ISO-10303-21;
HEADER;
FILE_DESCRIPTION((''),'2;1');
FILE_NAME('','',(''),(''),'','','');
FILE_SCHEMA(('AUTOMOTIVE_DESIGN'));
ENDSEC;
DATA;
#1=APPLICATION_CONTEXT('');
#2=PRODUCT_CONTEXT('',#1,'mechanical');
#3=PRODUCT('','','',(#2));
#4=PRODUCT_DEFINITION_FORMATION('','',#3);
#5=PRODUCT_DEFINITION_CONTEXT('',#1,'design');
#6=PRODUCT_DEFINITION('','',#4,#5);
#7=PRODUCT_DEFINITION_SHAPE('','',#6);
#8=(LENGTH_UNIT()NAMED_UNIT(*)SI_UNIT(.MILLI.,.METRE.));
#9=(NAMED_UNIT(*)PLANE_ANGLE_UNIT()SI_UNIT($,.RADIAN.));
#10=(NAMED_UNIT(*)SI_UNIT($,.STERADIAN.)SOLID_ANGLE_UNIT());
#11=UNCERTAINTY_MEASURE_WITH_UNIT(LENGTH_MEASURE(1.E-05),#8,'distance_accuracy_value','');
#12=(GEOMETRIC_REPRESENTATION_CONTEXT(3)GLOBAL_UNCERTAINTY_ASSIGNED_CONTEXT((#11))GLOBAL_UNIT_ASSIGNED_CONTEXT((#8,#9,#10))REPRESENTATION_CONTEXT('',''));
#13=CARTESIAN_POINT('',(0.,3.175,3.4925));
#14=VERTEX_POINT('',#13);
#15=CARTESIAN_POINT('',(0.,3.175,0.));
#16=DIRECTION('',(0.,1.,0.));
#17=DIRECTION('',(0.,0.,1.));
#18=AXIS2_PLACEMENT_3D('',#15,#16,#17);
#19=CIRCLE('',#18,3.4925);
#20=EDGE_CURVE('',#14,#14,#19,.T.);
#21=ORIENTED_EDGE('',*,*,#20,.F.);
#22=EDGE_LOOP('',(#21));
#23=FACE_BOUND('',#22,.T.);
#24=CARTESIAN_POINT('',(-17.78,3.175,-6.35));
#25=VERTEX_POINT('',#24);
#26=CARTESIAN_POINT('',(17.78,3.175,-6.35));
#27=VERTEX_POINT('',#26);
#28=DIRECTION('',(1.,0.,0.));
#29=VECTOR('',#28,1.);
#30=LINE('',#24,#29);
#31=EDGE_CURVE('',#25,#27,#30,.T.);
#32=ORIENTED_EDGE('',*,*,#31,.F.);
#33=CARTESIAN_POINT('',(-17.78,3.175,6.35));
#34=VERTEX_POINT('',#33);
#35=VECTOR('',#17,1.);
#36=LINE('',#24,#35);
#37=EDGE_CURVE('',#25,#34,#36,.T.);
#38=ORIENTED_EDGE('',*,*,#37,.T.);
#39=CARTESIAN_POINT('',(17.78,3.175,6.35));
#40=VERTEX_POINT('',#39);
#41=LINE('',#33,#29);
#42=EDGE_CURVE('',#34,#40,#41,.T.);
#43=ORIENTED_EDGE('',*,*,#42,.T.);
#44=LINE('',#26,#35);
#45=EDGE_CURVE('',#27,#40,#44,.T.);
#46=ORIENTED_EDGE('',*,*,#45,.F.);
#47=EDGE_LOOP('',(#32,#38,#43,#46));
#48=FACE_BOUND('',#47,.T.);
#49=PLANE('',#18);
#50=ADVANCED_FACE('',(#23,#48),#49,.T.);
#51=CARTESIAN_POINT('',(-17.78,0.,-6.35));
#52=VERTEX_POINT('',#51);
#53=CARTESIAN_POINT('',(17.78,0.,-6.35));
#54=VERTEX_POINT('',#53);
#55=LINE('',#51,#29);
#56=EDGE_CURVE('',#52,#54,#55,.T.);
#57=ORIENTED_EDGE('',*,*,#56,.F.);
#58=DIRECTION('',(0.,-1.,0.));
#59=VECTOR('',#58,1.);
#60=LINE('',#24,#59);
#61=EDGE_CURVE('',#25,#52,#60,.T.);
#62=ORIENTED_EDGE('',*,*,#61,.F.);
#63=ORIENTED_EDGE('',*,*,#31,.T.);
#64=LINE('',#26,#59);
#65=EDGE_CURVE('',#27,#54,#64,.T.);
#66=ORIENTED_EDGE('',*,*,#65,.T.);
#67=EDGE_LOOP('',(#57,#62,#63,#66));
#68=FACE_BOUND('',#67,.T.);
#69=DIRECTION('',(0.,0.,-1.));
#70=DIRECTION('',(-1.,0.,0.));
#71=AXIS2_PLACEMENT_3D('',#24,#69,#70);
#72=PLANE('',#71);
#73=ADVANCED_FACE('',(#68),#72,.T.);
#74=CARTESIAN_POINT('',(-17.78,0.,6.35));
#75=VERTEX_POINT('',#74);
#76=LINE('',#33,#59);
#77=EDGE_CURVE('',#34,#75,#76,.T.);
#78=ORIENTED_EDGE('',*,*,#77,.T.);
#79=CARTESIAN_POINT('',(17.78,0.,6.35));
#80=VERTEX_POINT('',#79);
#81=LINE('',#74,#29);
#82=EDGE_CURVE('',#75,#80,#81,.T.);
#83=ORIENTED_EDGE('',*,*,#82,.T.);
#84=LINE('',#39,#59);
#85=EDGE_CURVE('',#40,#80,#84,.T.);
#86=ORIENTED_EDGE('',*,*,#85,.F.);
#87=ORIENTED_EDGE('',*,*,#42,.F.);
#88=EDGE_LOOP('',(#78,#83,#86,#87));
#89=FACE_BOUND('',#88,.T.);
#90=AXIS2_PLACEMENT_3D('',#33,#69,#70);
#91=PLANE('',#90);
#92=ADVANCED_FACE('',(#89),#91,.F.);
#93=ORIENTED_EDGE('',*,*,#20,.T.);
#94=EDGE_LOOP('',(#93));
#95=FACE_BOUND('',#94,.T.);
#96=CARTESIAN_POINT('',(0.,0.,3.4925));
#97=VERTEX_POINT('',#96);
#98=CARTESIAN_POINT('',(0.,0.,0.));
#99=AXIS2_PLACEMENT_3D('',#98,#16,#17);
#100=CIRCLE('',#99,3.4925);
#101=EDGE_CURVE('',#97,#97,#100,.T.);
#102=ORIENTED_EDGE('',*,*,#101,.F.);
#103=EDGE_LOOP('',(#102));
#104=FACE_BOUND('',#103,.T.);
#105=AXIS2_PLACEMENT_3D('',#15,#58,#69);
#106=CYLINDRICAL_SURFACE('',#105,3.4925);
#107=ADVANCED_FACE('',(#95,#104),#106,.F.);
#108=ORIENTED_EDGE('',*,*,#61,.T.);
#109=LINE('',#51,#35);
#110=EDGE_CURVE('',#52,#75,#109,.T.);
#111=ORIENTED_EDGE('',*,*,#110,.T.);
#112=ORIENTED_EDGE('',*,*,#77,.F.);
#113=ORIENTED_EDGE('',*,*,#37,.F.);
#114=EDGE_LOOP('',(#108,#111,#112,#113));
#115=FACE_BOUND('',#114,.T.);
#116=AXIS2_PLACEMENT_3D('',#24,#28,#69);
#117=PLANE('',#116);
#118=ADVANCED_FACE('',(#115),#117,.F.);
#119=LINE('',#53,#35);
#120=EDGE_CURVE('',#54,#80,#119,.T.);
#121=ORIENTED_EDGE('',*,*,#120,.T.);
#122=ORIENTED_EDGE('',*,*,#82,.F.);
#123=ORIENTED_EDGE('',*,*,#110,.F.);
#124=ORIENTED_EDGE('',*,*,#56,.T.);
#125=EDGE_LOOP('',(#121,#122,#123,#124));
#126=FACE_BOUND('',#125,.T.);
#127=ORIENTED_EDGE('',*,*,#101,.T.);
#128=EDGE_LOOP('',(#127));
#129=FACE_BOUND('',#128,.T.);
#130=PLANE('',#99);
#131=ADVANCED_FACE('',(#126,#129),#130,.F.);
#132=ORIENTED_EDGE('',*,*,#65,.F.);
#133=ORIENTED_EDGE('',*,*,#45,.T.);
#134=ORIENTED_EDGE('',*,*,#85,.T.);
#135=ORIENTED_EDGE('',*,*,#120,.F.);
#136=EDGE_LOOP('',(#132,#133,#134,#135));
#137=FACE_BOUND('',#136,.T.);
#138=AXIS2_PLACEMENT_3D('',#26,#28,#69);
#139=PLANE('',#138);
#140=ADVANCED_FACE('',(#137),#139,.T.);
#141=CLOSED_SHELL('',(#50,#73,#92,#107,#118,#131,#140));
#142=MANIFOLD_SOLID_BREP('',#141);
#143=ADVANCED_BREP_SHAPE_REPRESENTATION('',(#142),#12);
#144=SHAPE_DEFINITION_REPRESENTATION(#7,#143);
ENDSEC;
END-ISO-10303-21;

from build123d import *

# Parameters (mm, degrees)
SKETCH1_W           = 35.56
SKETCH1_H           = 12.7
SKETCH1_R           = 3.4925
BOSS_EXTRUDE1_DEPTH = 3.175


with BuildPart() as part:
    # Sketch1 → Boss-Extrude1 (new body)
    with BuildSketch(Plane(origin=(0, 0, 0), x_dir=(1, 0, 0), z_dir=(0, 1, 0))):
        Rectangle(SKETCH1_W, SKETCH1_H)
        Circle(SKETCH1_R, mode=Mode.SUBTRACT)
    extrude(amount=BOSS_EXTRUDE1_DEPTH)


solid = part.part
